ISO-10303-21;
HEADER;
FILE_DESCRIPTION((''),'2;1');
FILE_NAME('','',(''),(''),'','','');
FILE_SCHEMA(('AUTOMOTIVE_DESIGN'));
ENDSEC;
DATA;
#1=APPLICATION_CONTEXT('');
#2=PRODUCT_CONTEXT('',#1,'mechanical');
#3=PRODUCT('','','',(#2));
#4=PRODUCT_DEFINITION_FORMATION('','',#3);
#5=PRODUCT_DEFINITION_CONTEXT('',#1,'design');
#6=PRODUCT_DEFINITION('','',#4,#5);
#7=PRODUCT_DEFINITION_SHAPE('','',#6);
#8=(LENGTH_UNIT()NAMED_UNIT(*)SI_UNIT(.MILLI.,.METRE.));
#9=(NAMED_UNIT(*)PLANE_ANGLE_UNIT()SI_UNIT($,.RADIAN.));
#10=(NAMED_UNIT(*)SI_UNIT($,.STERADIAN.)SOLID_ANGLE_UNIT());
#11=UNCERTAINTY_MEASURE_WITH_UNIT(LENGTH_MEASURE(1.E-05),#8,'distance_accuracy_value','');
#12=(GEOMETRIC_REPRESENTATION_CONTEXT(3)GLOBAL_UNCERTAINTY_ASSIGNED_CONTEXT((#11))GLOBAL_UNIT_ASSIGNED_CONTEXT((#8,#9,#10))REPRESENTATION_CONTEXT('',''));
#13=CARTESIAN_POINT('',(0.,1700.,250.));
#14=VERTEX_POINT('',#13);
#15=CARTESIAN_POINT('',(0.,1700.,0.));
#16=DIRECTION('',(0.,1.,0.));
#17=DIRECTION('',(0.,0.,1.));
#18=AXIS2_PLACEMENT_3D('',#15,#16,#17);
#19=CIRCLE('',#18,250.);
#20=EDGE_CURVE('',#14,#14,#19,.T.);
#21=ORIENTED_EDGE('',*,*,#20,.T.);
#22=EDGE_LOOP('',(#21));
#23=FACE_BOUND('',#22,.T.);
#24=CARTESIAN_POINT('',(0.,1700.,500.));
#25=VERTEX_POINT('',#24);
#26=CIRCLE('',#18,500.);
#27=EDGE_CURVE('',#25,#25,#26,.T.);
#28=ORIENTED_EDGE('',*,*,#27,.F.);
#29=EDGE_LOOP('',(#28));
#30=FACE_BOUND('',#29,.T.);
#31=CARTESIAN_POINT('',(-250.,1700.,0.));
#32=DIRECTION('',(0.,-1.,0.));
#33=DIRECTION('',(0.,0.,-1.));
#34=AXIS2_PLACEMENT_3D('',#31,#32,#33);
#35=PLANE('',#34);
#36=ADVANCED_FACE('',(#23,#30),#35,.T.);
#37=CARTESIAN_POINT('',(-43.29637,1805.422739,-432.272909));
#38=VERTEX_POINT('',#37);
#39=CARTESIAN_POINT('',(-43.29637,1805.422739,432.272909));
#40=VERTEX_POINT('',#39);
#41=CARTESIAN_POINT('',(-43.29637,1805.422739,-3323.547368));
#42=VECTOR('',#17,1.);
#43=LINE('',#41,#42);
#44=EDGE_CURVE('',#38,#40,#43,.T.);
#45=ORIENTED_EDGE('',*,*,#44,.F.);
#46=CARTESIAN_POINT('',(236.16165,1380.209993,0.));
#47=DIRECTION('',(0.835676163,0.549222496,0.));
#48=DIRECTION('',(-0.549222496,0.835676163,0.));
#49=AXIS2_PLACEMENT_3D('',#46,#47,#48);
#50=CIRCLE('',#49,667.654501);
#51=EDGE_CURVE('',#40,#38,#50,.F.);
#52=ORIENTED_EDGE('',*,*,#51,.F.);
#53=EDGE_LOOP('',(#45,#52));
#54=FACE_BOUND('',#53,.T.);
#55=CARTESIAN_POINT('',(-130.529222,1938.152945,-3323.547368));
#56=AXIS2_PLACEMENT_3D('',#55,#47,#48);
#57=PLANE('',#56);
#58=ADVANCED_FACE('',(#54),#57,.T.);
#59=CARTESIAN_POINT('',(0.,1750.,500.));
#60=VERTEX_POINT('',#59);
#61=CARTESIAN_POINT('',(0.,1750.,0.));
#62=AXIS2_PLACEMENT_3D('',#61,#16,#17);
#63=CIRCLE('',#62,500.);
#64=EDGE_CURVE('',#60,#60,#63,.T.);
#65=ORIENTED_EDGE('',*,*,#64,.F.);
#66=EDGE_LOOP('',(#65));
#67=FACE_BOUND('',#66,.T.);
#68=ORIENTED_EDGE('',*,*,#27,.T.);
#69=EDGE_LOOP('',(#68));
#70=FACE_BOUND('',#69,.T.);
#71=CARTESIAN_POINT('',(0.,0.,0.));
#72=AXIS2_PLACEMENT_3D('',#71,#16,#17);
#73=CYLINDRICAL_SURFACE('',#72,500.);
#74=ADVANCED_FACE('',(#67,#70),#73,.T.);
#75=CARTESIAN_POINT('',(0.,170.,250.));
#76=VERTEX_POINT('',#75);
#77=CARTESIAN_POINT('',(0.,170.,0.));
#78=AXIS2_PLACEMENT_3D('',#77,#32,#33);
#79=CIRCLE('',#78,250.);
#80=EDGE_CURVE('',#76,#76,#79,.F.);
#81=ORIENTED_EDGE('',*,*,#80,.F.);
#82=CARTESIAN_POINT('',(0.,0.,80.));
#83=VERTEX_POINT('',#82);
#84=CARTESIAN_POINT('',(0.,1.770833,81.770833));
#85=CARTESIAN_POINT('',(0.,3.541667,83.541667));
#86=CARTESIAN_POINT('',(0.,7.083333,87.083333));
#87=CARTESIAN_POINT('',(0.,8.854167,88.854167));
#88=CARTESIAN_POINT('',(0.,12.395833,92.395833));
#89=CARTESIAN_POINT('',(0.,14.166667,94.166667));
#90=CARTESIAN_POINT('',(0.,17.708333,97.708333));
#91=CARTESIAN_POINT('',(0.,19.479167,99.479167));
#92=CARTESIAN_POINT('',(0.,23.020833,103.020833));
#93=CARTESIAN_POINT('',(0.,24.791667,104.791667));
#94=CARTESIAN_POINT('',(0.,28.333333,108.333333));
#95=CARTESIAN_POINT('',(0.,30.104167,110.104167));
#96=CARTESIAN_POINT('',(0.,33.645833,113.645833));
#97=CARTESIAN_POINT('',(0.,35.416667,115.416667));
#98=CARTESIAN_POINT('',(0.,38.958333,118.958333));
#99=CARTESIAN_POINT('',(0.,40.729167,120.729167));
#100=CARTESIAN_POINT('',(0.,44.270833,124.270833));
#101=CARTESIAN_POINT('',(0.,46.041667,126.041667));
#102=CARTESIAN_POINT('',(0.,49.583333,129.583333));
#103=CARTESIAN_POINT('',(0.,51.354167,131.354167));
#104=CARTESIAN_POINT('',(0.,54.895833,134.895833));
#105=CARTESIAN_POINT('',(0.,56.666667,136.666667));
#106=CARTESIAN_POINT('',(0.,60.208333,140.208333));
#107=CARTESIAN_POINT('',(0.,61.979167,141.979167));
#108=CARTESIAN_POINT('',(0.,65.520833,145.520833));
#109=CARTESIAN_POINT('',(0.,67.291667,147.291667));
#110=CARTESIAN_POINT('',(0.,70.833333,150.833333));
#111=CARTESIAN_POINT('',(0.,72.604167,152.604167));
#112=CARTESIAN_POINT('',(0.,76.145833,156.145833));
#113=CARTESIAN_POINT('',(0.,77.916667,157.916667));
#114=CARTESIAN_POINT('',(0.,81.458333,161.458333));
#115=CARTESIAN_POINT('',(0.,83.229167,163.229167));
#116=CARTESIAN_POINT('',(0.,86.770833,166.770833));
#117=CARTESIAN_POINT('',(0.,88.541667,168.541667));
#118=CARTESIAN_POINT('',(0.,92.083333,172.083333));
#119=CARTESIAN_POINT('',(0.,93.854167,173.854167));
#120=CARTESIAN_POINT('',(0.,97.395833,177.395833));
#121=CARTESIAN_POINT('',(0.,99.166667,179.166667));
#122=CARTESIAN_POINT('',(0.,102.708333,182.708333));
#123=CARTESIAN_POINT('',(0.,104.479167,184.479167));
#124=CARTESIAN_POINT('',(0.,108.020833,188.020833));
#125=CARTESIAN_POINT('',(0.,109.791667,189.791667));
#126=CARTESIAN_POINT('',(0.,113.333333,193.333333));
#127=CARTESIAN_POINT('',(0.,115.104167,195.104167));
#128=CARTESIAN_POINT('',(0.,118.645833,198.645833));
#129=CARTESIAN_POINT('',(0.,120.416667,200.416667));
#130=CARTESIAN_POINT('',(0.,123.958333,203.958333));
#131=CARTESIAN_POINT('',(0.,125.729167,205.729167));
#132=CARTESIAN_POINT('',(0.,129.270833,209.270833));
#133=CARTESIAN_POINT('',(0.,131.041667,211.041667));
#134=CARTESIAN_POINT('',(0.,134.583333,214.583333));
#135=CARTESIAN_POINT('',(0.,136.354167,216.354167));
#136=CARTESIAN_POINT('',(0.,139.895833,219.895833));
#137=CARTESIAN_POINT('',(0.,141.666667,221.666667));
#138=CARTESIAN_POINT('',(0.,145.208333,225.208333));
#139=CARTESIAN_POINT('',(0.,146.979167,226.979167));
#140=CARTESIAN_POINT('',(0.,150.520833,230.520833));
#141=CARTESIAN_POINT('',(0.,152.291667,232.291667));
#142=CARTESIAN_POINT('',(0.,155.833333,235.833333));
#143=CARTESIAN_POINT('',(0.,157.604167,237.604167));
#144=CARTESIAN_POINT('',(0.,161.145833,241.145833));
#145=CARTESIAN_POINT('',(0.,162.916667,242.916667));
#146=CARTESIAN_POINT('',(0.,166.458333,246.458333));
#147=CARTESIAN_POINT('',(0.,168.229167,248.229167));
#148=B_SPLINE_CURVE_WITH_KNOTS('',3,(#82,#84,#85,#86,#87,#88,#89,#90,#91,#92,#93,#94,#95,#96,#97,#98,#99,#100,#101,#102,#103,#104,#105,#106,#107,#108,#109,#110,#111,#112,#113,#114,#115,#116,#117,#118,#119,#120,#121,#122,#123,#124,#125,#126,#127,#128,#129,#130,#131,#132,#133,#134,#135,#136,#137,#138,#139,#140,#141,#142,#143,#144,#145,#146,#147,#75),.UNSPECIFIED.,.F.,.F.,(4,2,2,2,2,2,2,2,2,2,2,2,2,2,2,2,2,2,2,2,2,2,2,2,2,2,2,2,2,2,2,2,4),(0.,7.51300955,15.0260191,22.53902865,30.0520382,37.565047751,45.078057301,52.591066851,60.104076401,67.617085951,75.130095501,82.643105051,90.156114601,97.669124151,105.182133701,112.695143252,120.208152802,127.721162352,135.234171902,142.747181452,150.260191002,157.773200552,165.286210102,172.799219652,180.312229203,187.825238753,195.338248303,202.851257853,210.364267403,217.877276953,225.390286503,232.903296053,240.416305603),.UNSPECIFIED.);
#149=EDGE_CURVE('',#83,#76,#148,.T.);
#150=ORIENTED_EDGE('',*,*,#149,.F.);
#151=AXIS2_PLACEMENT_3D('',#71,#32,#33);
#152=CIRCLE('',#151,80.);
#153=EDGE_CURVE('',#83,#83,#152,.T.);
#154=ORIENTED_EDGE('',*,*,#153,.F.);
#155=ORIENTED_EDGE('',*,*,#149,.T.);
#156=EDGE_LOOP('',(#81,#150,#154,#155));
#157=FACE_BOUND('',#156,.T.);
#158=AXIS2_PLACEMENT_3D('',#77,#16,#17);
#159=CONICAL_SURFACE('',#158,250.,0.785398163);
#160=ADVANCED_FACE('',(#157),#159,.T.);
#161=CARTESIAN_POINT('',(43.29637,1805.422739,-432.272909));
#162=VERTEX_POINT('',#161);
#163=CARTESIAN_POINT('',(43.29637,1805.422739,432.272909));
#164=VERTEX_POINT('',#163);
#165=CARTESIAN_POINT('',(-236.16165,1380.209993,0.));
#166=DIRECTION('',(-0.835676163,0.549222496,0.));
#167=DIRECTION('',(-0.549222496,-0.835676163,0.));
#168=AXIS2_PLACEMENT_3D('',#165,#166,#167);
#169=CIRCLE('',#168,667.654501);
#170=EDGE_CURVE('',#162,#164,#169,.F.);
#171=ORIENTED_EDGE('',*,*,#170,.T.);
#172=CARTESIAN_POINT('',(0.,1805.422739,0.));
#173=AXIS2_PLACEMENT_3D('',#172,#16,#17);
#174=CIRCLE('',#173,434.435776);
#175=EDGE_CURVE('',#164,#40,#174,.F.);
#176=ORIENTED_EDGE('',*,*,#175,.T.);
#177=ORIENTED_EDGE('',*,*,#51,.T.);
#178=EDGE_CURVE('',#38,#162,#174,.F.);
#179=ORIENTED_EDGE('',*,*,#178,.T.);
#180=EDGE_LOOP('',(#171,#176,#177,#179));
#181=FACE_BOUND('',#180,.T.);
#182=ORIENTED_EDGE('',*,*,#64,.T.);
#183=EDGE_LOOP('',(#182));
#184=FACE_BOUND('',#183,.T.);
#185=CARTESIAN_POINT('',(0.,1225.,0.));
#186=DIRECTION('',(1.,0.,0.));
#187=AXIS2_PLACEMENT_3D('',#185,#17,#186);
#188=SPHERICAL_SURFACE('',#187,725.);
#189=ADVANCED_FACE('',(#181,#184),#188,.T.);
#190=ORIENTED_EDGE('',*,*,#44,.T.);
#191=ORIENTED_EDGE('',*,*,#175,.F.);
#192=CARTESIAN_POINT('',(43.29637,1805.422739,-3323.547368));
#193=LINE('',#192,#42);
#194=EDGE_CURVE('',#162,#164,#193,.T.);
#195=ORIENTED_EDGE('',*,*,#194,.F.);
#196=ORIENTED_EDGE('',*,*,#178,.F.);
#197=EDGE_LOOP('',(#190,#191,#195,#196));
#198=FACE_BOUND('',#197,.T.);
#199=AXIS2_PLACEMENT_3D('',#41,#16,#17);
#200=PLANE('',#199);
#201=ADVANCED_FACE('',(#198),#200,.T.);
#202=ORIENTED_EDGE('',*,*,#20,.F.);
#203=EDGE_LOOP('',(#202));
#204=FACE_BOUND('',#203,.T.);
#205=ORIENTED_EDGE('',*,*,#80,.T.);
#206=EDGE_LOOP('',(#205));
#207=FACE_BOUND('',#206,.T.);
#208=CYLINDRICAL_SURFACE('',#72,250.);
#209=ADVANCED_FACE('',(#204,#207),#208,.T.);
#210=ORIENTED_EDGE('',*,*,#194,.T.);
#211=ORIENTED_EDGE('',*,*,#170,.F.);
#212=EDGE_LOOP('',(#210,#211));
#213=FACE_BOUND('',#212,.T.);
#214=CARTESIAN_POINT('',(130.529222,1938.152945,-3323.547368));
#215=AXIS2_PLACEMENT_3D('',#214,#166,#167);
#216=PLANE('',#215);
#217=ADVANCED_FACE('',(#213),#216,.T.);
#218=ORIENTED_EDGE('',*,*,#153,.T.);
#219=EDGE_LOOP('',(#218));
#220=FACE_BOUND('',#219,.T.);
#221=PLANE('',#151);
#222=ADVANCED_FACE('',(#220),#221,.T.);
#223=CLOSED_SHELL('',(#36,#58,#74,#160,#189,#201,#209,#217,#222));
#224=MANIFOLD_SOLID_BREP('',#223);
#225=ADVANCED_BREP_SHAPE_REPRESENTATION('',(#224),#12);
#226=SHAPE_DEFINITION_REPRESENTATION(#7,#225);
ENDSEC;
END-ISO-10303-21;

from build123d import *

# Parameters (mm, degrees)
DOME1_FACE_RADIUS       = 500
DOME1_HEIGHT            = 200
CUT_EXTRUDE1_DEPTH      = 2075.246851269
CUT_EXTRUDE1_DEPTH_BACK = 2075.246851269
CHAMFER5_SIZE           = 170


with BuildPart() as part:
    # Sketch1 → Revolve1 (revolve)
    with BuildSketch(Plane.XY, mode=Mode.PRIVATE) as revolve1_sk:
        Polygon((0, 0), (-250, 0), (-250, 1700), (-500, 1700), (-500, 1750), (0, 1750), align=None)
    revolve(revolve1_sk.sketch.rotate(Axis((0, 0, 0), (0, -1, 0)), 270), axis=Axis((0, 0, 0), (0, -1, 0)))

    # Dome1: a dome of height H over a round flat face of radius A is a cap of a sphere of radius (A * A + H * H) / (2 * H)
    dome1_r = (DOME1_FACE_RADIUS * DOME1_FACE_RADIUS + DOME1_HEIGHT * DOME1_HEIGHT) / (2 * DOME1_HEIGHT)
    dome1_base = Plane((0, 1750, 0), z_dir=(0, 1, 0))
    with Locations(dome1_base.offset(DOME1_HEIGHT - dome1_r)):
        dome1_ball = Sphere(dome1_r, mode=Mode.PRIVATE)
    add(split(dome1_ball, bisect_by=dome1_base, keep=Keep.TOP, mode=Mode.PRIVATE))

    # Sketch2 → Cut-Extrude1 (cut, two sides: drawn at the far end of the back side and taken through both)
    with BuildSketch(Plane.XY.offset(-CUT_EXTRUDE1_DEPTH_BACK)):
        Polygon((-2374.803234017, 5352.955339177), (-130.529221516, 1938.152944557), (-43.296369992, 1805.422739327), (43.296369992, 1805.422739327), (130.529221516, 1938.152944557), (2374.803234017, 5352.955339177), (2374.803234017, 13525.50481593), (-2374.803234017, 13525.50481593), align=None)
    extrude(amount=CUT_EXTRUDE1_DEPTH + CUT_EXTRUDE1_DEPTH_BACK, mode=Mode.SUBTRACT)

    # Chamfer5
    chamfer5_edges = [part.edges().sort_by_distance(p)[0] for p in [
        (0, 0, -250),
    ]]
    chamfer(chamfer5_edges, length=CHAMFER5_SIZE)


solid = part.part
